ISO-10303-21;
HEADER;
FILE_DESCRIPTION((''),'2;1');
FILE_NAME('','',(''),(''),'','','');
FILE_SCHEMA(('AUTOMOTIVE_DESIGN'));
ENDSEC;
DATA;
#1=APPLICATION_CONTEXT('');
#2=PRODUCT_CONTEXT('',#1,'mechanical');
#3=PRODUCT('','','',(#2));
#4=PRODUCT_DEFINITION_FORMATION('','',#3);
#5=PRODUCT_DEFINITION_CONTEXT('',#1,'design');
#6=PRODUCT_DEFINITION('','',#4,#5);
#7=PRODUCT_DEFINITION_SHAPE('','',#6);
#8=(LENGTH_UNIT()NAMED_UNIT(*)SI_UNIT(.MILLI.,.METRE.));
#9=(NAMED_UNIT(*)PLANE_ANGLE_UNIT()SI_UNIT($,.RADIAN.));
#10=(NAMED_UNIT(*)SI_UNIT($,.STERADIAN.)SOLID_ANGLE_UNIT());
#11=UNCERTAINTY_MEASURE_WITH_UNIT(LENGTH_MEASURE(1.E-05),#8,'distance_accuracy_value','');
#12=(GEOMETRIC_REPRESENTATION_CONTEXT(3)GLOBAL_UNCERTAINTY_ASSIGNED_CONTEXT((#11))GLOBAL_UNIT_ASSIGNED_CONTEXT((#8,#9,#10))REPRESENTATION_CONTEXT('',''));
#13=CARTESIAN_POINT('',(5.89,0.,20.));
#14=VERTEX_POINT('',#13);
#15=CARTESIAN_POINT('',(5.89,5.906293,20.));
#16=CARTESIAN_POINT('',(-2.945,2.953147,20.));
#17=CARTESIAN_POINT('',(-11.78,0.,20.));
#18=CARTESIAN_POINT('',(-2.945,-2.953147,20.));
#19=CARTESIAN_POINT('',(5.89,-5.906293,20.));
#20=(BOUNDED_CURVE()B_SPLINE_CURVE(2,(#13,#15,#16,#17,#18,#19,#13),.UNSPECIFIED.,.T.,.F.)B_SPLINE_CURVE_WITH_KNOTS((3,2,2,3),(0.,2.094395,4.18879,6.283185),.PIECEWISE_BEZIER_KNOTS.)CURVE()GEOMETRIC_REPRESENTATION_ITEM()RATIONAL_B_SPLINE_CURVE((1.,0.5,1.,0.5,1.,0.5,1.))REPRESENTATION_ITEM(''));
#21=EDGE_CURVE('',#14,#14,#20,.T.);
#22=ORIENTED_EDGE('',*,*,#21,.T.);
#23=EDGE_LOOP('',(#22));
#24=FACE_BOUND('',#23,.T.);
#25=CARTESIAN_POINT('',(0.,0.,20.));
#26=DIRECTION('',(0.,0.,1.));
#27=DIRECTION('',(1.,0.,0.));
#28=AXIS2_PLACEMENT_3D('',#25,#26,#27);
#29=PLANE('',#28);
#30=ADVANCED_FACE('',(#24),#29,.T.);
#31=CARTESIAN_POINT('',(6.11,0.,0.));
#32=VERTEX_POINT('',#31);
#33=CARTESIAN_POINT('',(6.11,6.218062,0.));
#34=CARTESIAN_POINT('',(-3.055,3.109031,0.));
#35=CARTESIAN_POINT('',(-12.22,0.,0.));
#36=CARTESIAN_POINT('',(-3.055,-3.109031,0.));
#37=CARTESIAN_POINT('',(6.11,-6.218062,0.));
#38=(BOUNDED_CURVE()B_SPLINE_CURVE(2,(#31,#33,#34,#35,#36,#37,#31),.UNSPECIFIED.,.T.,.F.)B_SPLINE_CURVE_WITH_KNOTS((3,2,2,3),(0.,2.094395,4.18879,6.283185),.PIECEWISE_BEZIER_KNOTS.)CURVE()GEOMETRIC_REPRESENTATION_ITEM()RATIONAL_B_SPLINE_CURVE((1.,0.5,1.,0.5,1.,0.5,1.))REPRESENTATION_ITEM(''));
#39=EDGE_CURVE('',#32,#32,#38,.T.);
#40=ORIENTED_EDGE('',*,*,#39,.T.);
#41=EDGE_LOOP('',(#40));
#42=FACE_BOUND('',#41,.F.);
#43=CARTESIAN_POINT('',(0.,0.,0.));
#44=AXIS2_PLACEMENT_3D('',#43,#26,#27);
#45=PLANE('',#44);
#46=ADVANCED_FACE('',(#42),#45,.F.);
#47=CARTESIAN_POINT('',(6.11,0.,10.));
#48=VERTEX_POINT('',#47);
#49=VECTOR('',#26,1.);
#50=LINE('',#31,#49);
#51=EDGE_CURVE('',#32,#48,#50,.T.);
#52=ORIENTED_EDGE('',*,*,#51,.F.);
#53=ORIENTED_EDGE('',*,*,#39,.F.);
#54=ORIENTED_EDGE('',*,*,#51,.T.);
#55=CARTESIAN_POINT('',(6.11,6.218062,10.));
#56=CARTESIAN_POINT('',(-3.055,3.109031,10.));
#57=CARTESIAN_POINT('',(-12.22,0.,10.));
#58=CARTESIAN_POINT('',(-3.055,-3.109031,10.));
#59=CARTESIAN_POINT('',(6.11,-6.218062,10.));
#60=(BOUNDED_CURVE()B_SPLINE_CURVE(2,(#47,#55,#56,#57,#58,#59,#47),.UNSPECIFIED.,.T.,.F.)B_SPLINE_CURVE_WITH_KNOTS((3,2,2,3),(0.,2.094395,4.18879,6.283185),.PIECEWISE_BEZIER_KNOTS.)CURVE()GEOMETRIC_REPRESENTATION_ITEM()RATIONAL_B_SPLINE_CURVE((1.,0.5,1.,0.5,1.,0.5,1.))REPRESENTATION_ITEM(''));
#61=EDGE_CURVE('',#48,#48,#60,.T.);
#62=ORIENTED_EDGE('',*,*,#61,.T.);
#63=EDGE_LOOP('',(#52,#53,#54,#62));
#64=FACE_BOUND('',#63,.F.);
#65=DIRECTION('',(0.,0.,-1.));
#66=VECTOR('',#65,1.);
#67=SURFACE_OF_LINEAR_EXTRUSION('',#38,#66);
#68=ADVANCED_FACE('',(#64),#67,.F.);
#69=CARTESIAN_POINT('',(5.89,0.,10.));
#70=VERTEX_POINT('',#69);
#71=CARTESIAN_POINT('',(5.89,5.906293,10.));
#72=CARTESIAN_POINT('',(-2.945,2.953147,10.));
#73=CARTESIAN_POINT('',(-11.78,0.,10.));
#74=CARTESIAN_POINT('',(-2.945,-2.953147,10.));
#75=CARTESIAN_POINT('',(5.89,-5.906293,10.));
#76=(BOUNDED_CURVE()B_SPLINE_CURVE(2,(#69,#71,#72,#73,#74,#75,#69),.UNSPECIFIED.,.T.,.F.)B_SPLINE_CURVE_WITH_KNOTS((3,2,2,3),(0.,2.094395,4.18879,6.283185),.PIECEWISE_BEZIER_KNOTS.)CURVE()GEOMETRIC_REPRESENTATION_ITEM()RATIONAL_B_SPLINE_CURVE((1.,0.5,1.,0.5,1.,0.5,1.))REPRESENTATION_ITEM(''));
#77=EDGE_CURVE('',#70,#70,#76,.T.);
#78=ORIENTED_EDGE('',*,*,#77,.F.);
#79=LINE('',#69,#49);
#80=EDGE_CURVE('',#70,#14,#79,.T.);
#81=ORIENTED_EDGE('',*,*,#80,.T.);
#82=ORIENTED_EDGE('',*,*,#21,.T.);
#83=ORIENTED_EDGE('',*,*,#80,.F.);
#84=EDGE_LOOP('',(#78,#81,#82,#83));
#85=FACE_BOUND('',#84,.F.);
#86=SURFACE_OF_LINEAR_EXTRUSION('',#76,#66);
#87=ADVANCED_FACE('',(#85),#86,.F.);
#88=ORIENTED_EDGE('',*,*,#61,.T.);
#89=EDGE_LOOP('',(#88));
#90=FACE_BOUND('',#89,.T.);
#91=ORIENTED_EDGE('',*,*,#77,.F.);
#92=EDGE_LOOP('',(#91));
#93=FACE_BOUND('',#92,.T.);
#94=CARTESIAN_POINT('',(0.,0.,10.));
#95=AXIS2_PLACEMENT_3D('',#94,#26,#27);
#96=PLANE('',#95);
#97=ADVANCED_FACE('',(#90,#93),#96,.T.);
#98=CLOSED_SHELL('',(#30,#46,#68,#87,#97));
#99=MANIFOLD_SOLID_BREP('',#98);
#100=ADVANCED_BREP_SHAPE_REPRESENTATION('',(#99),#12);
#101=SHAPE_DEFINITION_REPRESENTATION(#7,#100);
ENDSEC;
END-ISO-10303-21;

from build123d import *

# Parameters (mm, degrees)
F1_DEPTH = 10
F3_DEPTH = 10


with BuildPart() as f1:
    # F0 (on Top) → F1 (new body)
    with BuildSketch(Plane.XY):
        with BuildLine():
            add(Edge.make_bspline(
                [(6.11, 0), (6.11, 6.218062), (-3.055, 3.109031), (-12.22, 0), (-3.055, -3.109031), (6.11, -6.218062), (6.11, 0)],
                knots=[0, 0, 0, 2.094395, 2.094395, 4.18879, 4.18879, 6.283185, 6.283185, 6.283185], degree=2, weights=[1, 0.5, 1, 0.5, 1, 0.5, 1]))
        make_face()
    extrude(amount=F1_DEPTH)

    # F2 (on face) → F3 (join)
    with BuildSketch(Plane.XY.offset(10)):
        with BuildLine():
            add(Edge.make_bspline(
                [(5.89, 0), (5.89, 5.906293), (-2.945, 2.953147), (-11.78, 0), (-2.945, -2.953147), (5.89, -5.906293), (5.89, 0)],
                knots=[0, 0, 0, 2.094395, 2.094395, 4.18879, 4.18879, 6.283185, 6.283185, 6.283185], degree=2, weights=[1, 0.5, 1, 0.5, 1, 0.5, 1]))
        make_face()
    extrude(amount=F3_DEPTH)


solid = f1.part
